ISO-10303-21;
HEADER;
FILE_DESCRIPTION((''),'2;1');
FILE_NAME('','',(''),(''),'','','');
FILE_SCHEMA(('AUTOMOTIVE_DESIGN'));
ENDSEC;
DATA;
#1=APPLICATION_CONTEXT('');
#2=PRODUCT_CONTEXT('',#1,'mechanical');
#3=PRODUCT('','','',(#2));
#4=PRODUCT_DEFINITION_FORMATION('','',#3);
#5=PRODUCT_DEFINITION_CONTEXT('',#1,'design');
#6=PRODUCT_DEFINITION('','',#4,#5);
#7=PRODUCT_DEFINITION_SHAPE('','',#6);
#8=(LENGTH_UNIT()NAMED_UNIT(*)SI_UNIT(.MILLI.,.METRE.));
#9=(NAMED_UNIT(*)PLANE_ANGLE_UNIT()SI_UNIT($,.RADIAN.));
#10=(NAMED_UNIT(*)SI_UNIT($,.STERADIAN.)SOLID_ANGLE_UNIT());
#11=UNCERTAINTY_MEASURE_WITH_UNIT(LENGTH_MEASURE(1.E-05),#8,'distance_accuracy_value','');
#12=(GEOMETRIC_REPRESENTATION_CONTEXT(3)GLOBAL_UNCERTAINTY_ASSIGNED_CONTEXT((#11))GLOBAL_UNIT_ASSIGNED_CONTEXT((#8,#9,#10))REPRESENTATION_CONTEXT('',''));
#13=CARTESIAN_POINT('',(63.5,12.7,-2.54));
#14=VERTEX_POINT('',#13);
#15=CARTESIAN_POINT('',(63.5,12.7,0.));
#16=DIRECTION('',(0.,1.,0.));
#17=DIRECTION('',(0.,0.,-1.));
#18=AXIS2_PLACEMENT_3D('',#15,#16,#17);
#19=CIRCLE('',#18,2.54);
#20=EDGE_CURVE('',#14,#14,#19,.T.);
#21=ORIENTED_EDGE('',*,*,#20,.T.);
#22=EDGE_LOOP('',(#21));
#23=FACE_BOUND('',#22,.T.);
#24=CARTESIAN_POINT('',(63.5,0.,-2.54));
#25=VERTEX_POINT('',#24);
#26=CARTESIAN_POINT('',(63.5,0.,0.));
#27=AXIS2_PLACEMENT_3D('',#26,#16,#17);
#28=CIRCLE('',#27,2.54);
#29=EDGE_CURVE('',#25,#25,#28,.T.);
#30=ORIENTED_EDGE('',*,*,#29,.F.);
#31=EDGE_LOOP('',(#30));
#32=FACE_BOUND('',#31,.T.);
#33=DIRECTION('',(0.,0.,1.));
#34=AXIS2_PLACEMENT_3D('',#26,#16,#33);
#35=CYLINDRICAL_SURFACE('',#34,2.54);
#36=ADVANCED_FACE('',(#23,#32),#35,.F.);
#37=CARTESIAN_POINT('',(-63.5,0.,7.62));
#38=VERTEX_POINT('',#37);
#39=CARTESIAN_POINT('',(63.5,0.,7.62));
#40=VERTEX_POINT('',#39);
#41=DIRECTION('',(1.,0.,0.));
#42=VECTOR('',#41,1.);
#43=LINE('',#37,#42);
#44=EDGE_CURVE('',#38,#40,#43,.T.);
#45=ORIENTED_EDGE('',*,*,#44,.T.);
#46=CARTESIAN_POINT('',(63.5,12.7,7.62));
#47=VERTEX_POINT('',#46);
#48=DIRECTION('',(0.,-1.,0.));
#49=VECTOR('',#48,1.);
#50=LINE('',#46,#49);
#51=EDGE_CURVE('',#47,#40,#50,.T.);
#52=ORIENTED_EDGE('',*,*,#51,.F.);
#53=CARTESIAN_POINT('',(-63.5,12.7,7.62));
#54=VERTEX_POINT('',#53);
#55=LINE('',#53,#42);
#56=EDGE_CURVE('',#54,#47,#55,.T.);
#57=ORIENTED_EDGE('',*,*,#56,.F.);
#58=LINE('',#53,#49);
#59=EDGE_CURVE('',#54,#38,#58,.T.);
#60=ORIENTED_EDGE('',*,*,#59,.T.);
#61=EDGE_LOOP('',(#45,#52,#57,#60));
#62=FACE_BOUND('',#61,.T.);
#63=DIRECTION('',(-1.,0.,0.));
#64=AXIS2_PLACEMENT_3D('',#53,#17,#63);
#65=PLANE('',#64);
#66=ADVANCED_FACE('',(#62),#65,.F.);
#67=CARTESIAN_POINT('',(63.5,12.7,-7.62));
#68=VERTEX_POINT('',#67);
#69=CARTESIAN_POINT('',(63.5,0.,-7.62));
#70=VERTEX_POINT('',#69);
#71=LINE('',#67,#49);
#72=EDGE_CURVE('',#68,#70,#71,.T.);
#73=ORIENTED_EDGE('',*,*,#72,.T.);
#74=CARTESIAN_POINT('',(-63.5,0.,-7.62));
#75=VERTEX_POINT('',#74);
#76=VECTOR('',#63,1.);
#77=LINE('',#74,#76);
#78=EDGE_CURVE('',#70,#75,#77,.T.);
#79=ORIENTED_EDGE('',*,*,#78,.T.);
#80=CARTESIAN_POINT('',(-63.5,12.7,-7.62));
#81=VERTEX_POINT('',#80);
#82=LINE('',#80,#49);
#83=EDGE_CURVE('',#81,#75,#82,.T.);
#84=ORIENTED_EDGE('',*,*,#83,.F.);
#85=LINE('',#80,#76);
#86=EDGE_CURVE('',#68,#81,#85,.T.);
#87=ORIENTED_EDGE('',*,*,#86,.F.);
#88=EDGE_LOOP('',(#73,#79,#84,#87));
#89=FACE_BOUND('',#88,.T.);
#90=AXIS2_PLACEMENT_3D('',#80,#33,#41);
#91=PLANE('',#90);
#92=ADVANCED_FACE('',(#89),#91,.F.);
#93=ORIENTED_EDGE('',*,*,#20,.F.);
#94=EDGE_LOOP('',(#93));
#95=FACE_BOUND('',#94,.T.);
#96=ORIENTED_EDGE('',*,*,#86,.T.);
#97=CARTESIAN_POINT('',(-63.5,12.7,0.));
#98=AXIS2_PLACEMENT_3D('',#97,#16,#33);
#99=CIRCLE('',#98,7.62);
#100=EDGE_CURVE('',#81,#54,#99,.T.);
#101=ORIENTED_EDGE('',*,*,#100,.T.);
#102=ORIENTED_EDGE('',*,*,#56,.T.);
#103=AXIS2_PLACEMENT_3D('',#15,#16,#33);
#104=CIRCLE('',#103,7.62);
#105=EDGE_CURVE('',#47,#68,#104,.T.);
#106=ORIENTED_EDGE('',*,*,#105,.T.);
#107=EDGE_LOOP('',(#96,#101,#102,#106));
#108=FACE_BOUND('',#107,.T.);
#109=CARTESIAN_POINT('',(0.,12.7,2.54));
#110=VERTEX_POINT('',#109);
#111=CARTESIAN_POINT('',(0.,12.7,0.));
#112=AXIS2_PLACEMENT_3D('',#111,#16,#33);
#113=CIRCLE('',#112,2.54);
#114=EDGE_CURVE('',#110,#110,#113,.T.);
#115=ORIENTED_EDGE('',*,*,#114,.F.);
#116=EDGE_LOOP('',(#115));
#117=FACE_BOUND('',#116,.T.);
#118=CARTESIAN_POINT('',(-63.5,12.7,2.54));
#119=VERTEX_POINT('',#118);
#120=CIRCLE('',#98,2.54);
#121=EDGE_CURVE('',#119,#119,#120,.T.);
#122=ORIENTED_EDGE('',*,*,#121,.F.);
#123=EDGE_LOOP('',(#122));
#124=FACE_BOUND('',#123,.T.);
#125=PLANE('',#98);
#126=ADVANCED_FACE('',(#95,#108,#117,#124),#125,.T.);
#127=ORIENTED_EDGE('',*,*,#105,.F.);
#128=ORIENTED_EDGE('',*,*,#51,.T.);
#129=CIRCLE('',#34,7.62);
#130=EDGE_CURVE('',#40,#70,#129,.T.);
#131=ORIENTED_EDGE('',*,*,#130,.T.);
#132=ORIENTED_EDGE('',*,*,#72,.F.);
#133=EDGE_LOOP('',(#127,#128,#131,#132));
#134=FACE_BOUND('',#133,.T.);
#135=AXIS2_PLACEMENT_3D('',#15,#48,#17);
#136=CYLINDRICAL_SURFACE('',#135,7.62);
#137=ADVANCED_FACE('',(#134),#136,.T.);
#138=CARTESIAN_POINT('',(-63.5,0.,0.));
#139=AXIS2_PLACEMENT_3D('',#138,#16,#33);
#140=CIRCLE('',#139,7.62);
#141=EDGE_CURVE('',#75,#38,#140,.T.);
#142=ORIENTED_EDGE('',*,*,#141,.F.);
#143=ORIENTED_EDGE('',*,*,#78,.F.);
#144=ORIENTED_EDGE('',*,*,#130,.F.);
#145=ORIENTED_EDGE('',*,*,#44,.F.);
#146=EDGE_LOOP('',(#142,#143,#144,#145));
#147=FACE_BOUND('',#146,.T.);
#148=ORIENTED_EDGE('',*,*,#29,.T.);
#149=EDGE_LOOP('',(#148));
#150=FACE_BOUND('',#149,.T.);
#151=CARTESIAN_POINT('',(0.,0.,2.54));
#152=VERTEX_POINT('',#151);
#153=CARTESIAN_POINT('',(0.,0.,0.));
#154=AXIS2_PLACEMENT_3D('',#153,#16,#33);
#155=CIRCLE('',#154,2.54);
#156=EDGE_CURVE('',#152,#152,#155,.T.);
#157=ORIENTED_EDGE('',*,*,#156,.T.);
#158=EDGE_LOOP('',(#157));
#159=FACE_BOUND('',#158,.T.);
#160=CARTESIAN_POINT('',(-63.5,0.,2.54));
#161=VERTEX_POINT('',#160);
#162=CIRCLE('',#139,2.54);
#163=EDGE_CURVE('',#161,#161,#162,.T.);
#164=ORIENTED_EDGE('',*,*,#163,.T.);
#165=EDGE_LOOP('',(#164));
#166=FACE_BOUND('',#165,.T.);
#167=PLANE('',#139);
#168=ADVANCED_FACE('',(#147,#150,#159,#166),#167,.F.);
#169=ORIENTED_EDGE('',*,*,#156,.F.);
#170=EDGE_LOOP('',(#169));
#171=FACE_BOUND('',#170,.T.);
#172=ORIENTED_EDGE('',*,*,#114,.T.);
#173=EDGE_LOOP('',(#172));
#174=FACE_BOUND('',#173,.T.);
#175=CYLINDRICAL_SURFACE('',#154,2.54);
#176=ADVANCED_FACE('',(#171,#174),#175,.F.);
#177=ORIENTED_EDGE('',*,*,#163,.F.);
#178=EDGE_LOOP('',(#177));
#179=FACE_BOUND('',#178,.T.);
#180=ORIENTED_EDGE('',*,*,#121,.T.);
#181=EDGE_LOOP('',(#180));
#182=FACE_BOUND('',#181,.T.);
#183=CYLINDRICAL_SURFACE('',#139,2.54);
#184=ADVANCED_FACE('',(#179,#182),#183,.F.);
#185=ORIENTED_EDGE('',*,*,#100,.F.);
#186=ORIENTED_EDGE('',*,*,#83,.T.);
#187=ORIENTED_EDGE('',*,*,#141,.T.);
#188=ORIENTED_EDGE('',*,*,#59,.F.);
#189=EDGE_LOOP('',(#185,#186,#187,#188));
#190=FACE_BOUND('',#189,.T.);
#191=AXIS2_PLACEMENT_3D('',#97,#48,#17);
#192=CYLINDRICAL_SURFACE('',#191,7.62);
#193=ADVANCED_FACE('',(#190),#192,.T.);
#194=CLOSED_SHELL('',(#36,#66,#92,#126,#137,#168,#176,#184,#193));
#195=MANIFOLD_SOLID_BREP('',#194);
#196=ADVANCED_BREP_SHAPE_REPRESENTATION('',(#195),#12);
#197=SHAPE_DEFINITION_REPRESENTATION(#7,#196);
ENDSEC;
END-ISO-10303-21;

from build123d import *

# Parameters (mm, degrees)
BOSS_EXTRUDE1_DEPTH = 12.7
SKETCH4_R           = 2.54
CUT_EXTRUDE3_DEPTH  = 73.645776202


with BuildPart() as part:
    # Sketch3 → Boss-Extrude1 (new body)
    with BuildSketch(Plane(origin=(0, 0, 0), x_dir=(1, 0, 0), z_dir=(0, 1, 0))):
        with BuildLine():
            Line((-63.5, 7.62), (63.5, 7.62))
            ThreePointArc((63.5, 7.62), (71.12, 0), (63.5, -7.62))
            Line((63.5, -7.62), (-63.5, -7.62))
            ThreePointArc((-63.5, -7.62), (-71.12, 0), (-63.5, 7.62))
        make_face()
    extrude(amount=BOSS_EXTRUDE1_DEPTH)

    # Sketch4 → Cut-Extrude3 (cut, through all)
    with BuildSketch(Plane(origin=(0, 12.7, 0), x_dir=(1, 0, 0), z_dir=(0, 1, 0))):
        with Locations(Location((-63.5, 0, 0), (0, 0, 270))):
            Circle(SKETCH4_R)
        with Locations(Location((63.5, 0, 0), (0, 0, 90))):
            Circle(SKETCH4_R)
        with Locations(Location((0, 0, 0), (0, 0, 270))):
            Circle(SKETCH4_R)
    extrude(amount=-CUT_EXTRUDE3_DEPTH, mode=Mode.SUBTRACT)


solid = part.part
